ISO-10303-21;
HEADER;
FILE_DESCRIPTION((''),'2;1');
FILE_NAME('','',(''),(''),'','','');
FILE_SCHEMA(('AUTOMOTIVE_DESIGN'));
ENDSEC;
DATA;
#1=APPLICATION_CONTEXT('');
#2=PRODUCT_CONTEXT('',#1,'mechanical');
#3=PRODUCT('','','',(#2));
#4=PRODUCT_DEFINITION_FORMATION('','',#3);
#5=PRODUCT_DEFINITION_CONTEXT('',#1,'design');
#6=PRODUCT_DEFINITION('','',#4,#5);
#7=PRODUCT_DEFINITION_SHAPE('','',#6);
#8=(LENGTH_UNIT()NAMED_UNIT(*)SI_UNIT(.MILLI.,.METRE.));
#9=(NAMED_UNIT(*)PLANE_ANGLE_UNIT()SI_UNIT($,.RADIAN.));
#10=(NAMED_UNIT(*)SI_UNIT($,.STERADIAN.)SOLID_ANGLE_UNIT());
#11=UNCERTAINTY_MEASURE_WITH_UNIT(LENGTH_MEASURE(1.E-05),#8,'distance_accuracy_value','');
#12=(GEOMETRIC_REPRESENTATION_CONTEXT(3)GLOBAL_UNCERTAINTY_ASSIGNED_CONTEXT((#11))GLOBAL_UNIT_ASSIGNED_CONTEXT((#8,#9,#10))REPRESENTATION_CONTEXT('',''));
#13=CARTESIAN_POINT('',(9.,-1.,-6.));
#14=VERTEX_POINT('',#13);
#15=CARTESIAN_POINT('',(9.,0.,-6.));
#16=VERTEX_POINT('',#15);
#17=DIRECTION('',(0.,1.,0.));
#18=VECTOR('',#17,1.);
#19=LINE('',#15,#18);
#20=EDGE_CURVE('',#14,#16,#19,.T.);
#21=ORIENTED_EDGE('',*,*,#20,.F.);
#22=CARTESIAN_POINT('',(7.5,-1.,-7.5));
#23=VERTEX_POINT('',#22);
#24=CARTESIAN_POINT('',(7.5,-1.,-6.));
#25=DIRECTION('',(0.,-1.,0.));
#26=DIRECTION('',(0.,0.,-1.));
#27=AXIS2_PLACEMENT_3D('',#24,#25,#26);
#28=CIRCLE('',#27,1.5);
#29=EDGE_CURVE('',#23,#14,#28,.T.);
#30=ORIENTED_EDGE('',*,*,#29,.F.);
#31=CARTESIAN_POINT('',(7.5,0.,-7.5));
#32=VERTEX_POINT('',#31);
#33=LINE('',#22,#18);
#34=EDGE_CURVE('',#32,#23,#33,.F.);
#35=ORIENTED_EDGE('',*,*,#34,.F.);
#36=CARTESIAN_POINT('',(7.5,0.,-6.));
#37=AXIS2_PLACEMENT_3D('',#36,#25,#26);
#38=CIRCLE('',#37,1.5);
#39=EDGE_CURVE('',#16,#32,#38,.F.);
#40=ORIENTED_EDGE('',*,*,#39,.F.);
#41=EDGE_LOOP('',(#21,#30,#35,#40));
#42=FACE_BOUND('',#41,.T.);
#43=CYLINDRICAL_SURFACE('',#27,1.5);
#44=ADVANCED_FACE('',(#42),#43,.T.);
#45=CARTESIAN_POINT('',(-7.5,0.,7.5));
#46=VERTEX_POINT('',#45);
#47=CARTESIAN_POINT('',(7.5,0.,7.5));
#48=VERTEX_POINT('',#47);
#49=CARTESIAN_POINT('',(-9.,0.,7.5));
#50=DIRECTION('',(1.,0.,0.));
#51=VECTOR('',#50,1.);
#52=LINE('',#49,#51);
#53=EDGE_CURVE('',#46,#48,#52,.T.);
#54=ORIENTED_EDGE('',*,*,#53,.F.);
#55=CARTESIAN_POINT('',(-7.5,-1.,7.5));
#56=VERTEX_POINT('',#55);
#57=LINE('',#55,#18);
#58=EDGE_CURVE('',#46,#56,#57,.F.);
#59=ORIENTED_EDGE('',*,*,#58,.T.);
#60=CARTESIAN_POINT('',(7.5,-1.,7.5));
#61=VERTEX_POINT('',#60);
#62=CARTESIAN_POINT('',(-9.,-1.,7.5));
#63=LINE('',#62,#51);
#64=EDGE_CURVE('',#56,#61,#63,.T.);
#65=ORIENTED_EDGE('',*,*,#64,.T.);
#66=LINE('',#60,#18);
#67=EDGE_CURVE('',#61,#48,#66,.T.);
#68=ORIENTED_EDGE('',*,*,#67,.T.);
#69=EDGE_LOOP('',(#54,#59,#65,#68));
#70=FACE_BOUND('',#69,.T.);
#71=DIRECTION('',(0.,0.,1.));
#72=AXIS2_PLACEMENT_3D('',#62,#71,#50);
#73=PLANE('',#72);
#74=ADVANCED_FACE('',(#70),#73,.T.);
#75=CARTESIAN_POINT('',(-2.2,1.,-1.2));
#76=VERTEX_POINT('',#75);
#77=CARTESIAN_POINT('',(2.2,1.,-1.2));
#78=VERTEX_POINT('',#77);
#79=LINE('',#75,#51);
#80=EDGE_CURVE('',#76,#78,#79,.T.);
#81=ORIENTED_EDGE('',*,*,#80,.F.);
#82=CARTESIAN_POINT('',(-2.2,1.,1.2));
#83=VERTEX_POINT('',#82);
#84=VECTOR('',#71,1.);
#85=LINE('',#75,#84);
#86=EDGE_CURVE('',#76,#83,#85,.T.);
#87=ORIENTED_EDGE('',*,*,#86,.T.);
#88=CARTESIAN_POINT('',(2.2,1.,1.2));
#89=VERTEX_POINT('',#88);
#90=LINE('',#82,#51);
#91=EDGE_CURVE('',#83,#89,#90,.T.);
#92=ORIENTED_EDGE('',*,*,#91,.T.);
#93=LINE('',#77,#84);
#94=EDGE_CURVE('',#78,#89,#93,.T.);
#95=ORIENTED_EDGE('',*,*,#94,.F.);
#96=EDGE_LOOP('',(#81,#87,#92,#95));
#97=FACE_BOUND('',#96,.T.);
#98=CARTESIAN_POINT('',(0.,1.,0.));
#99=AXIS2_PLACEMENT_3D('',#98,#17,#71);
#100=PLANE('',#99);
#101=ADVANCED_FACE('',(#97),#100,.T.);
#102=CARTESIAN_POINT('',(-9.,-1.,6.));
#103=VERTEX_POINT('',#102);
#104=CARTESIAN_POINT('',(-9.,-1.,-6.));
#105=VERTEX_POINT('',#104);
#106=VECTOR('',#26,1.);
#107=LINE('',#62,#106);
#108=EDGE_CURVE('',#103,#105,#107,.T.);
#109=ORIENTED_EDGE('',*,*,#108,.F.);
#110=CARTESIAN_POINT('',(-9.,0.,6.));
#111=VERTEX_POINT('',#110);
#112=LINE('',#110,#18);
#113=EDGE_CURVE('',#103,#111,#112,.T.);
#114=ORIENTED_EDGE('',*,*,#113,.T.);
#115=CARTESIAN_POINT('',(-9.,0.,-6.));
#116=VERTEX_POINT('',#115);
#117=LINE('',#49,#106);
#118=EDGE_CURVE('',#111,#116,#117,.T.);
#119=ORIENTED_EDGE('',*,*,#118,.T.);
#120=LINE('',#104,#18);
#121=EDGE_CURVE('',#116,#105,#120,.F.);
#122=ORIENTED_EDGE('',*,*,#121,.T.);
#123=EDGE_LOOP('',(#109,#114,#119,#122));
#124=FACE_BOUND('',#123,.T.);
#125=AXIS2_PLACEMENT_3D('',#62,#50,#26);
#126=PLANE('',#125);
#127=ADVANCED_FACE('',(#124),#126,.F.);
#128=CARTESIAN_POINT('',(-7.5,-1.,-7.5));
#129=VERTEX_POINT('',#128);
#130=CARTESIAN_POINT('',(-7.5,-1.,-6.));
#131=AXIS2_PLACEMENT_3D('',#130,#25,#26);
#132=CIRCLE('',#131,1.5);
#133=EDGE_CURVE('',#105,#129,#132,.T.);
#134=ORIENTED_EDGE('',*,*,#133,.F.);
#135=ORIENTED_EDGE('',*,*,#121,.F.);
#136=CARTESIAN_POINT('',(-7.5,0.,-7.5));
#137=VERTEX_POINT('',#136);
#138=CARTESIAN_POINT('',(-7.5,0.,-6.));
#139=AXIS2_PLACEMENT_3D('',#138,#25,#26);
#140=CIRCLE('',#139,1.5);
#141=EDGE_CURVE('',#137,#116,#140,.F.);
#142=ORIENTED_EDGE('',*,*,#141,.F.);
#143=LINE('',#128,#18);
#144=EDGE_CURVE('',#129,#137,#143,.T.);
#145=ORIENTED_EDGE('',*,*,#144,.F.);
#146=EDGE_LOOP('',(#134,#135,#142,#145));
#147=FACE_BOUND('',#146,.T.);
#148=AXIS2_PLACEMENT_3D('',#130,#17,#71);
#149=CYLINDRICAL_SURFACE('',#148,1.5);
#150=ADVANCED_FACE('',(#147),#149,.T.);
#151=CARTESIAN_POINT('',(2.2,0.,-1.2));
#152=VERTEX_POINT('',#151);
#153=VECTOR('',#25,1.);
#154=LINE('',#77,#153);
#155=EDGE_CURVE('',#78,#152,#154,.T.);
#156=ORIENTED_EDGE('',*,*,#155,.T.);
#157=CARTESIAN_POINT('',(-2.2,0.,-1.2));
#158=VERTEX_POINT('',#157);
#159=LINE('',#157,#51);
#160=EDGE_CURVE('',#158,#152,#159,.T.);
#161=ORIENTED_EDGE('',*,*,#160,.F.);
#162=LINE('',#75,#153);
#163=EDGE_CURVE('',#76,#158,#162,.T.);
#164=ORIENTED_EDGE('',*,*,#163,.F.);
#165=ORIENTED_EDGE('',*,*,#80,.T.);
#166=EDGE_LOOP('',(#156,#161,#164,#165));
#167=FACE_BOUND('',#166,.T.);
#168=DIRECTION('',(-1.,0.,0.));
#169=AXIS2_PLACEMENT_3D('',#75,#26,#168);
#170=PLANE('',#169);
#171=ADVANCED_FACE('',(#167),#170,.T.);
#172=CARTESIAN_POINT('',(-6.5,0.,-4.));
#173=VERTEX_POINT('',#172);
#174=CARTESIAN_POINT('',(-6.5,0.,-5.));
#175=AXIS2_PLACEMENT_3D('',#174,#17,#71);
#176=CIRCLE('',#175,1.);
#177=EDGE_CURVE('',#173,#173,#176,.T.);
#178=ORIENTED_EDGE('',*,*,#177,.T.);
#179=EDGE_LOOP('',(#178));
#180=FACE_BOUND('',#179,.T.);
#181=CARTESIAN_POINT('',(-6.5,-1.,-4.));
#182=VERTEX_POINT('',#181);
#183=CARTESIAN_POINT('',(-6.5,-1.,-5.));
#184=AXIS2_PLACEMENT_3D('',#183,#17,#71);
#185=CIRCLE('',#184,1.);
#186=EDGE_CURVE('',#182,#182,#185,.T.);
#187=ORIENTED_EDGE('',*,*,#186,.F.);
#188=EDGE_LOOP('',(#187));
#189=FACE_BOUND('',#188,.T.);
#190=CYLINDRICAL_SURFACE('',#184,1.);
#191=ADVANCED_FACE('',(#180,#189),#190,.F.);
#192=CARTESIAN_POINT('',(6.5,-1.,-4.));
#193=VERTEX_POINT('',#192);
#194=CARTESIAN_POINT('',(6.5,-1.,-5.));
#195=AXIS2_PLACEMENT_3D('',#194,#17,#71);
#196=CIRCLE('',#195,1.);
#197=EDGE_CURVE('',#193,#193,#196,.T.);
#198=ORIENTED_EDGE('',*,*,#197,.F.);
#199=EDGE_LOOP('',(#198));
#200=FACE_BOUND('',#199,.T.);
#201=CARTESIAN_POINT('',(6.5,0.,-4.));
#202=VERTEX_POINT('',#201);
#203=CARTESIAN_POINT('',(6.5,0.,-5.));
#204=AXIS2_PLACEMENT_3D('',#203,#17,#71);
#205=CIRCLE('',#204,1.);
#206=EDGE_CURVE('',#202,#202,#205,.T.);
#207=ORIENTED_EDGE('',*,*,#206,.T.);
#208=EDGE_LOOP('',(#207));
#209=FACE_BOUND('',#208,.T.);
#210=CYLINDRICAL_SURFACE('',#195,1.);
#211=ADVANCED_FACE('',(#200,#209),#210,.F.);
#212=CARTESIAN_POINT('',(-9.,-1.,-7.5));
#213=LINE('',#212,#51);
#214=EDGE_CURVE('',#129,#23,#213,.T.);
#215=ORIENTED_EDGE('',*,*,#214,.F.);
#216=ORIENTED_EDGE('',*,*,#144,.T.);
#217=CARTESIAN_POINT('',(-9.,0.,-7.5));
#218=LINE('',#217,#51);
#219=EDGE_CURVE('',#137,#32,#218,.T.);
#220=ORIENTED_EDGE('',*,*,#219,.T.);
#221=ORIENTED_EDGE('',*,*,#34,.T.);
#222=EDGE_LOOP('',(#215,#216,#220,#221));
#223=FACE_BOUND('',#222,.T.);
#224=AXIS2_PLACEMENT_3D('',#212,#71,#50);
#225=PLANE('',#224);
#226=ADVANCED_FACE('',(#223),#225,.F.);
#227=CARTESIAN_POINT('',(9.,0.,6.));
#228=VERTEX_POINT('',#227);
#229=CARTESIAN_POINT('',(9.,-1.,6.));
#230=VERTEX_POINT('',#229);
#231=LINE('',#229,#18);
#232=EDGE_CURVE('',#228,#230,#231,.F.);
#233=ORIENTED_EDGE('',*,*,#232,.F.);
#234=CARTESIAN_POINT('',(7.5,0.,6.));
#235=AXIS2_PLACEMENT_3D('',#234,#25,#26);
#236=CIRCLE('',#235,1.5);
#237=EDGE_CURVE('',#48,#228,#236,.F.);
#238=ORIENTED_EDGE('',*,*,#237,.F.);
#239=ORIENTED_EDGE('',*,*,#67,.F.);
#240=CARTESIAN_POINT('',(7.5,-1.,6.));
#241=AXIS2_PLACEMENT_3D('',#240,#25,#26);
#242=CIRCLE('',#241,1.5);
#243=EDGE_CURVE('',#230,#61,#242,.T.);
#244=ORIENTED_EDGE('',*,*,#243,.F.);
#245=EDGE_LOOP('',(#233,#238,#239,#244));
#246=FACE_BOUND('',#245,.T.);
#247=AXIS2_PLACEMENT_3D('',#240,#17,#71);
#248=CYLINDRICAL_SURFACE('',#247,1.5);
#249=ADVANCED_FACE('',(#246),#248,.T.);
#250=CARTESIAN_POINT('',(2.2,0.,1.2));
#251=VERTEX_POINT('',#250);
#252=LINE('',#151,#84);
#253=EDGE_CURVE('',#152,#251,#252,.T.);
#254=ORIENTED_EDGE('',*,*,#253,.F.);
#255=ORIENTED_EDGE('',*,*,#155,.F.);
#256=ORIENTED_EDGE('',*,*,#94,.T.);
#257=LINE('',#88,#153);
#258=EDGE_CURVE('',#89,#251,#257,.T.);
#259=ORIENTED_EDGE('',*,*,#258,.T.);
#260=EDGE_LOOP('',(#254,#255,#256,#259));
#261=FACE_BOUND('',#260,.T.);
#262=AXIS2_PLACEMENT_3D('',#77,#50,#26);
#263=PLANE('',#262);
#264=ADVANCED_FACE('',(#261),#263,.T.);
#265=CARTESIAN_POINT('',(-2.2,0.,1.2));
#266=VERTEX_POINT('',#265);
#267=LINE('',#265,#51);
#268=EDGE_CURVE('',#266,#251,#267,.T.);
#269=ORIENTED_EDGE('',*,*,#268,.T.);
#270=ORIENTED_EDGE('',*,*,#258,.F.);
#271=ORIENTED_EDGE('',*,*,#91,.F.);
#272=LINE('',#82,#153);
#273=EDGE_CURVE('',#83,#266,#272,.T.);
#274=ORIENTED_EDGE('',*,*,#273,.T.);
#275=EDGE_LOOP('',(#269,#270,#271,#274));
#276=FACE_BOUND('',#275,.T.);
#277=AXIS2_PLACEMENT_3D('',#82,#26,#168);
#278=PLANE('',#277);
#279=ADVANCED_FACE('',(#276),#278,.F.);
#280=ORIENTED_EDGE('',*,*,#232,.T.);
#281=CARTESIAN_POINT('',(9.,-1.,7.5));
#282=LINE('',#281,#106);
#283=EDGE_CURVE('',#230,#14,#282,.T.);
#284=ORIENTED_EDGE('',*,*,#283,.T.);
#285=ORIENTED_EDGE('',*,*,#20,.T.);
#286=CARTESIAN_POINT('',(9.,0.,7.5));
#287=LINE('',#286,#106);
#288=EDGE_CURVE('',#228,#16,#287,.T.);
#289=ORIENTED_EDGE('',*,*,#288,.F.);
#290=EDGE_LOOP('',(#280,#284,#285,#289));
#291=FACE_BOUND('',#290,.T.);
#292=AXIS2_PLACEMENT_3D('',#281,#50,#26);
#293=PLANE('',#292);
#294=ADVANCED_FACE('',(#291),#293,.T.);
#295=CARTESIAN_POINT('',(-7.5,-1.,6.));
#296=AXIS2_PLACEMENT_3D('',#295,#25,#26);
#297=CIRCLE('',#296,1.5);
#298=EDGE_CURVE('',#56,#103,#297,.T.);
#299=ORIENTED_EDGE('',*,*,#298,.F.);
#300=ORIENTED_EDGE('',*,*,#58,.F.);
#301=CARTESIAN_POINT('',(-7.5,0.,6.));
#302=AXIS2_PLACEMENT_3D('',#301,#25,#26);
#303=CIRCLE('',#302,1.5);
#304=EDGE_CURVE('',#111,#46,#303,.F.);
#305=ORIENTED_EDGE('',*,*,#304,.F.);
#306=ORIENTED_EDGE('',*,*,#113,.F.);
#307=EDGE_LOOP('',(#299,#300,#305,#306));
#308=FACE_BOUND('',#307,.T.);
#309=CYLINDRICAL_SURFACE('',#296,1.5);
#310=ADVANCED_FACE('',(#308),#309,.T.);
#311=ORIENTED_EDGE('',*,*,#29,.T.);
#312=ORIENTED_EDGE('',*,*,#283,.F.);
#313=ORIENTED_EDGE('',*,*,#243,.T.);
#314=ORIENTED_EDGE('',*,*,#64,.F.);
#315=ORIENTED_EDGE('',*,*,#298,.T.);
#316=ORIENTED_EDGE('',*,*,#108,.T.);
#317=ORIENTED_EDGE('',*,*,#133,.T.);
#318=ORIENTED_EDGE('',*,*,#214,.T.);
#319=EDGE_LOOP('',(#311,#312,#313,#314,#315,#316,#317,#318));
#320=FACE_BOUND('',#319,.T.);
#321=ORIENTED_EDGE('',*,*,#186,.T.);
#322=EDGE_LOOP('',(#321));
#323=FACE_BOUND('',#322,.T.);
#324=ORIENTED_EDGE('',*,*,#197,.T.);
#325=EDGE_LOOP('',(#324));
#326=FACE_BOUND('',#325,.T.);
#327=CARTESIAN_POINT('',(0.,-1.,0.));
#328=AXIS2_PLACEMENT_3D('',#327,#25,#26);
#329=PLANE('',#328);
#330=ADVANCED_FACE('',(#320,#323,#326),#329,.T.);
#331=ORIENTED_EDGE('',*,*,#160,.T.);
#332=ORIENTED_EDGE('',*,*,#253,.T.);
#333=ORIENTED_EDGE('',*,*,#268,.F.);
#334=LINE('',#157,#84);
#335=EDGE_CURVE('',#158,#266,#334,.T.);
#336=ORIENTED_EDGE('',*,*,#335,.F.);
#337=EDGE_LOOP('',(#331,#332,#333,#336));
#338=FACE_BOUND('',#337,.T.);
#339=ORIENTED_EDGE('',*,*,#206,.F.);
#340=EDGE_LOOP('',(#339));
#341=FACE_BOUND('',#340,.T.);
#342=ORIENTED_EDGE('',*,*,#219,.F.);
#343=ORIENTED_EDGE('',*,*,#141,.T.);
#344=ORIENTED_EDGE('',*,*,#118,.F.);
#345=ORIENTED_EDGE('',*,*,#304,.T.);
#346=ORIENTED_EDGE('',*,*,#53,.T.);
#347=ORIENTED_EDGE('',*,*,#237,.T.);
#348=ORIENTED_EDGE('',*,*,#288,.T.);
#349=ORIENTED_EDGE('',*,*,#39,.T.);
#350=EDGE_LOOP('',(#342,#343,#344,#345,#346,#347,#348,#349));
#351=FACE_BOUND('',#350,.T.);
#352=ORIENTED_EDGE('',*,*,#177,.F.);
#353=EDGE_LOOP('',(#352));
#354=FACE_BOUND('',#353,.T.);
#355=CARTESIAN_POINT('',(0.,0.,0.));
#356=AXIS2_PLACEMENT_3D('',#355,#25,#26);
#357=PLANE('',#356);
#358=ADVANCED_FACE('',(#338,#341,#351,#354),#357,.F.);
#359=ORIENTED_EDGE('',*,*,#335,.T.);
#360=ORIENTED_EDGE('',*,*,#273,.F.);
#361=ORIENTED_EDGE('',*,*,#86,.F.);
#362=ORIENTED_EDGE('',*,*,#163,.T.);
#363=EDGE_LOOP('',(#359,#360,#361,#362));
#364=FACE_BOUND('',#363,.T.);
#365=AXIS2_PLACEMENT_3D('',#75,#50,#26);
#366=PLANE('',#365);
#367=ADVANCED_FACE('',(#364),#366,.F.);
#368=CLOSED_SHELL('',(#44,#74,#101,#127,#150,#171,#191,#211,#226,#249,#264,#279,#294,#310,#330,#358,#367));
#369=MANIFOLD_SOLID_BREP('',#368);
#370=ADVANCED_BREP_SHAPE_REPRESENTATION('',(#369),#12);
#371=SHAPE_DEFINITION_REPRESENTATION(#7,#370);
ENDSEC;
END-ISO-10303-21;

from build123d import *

# Parameters (mm, degrees)
SKETCH1_W           = 18
SKETCH1_H           = 15
SKETCH1_R           = 1
BOSS_EXTRUDE1_DEPTH = 1
SKETCH1_4_W         = 4.4
SKETCH1_4_H         = 2.4
BOSS_EXTRUDE2_DEPTH = 1
FILLET1_R           = 1.5


with BuildPart() as part:
    # Sketch1 → Boss-Extrude1 (new body)
    with BuildSketch(Plane(origin=(0, 0, 0), x_dir=(1, 0, 0), z_dir=(0, 1, 0))):
        Rectangle(SKETCH1_W, SKETCH1_H)
        with Locations((-6.5, 5)):
            Circle(SKETCH1_R, mode=Mode.SUBTRACT)
        with Locations((6.5, 5)):
            Circle(SKETCH1_R, mode=Mode.SUBTRACT)
    extrude(amount=-BOSS_EXTRUDE1_DEPTH)

    # Sketch1<4> → Boss-Extrude2 (add)
    with BuildSketch(Plane(origin=(0, 0, 0), x_dir=(1, 0, 0), z_dir=(0, 1, 0))):
        Rectangle(SKETCH1_4_W, SKETCH1_4_H)
    extrude(amount=BOSS_EXTRUDE2_DEPTH)

    # Fillet1
    fillet1_edges = [part.edges().sort_by_distance(p)[0] for p in [
        (-9, -0.5, -7.5),
        (9, -0.5, -7.5),
        (9, -0.5, 7.5),
        (-9, -0.5, 7.5),
    ]]
    fillet(fillet1_edges, radius=FILLET1_R)


solid = part.part
